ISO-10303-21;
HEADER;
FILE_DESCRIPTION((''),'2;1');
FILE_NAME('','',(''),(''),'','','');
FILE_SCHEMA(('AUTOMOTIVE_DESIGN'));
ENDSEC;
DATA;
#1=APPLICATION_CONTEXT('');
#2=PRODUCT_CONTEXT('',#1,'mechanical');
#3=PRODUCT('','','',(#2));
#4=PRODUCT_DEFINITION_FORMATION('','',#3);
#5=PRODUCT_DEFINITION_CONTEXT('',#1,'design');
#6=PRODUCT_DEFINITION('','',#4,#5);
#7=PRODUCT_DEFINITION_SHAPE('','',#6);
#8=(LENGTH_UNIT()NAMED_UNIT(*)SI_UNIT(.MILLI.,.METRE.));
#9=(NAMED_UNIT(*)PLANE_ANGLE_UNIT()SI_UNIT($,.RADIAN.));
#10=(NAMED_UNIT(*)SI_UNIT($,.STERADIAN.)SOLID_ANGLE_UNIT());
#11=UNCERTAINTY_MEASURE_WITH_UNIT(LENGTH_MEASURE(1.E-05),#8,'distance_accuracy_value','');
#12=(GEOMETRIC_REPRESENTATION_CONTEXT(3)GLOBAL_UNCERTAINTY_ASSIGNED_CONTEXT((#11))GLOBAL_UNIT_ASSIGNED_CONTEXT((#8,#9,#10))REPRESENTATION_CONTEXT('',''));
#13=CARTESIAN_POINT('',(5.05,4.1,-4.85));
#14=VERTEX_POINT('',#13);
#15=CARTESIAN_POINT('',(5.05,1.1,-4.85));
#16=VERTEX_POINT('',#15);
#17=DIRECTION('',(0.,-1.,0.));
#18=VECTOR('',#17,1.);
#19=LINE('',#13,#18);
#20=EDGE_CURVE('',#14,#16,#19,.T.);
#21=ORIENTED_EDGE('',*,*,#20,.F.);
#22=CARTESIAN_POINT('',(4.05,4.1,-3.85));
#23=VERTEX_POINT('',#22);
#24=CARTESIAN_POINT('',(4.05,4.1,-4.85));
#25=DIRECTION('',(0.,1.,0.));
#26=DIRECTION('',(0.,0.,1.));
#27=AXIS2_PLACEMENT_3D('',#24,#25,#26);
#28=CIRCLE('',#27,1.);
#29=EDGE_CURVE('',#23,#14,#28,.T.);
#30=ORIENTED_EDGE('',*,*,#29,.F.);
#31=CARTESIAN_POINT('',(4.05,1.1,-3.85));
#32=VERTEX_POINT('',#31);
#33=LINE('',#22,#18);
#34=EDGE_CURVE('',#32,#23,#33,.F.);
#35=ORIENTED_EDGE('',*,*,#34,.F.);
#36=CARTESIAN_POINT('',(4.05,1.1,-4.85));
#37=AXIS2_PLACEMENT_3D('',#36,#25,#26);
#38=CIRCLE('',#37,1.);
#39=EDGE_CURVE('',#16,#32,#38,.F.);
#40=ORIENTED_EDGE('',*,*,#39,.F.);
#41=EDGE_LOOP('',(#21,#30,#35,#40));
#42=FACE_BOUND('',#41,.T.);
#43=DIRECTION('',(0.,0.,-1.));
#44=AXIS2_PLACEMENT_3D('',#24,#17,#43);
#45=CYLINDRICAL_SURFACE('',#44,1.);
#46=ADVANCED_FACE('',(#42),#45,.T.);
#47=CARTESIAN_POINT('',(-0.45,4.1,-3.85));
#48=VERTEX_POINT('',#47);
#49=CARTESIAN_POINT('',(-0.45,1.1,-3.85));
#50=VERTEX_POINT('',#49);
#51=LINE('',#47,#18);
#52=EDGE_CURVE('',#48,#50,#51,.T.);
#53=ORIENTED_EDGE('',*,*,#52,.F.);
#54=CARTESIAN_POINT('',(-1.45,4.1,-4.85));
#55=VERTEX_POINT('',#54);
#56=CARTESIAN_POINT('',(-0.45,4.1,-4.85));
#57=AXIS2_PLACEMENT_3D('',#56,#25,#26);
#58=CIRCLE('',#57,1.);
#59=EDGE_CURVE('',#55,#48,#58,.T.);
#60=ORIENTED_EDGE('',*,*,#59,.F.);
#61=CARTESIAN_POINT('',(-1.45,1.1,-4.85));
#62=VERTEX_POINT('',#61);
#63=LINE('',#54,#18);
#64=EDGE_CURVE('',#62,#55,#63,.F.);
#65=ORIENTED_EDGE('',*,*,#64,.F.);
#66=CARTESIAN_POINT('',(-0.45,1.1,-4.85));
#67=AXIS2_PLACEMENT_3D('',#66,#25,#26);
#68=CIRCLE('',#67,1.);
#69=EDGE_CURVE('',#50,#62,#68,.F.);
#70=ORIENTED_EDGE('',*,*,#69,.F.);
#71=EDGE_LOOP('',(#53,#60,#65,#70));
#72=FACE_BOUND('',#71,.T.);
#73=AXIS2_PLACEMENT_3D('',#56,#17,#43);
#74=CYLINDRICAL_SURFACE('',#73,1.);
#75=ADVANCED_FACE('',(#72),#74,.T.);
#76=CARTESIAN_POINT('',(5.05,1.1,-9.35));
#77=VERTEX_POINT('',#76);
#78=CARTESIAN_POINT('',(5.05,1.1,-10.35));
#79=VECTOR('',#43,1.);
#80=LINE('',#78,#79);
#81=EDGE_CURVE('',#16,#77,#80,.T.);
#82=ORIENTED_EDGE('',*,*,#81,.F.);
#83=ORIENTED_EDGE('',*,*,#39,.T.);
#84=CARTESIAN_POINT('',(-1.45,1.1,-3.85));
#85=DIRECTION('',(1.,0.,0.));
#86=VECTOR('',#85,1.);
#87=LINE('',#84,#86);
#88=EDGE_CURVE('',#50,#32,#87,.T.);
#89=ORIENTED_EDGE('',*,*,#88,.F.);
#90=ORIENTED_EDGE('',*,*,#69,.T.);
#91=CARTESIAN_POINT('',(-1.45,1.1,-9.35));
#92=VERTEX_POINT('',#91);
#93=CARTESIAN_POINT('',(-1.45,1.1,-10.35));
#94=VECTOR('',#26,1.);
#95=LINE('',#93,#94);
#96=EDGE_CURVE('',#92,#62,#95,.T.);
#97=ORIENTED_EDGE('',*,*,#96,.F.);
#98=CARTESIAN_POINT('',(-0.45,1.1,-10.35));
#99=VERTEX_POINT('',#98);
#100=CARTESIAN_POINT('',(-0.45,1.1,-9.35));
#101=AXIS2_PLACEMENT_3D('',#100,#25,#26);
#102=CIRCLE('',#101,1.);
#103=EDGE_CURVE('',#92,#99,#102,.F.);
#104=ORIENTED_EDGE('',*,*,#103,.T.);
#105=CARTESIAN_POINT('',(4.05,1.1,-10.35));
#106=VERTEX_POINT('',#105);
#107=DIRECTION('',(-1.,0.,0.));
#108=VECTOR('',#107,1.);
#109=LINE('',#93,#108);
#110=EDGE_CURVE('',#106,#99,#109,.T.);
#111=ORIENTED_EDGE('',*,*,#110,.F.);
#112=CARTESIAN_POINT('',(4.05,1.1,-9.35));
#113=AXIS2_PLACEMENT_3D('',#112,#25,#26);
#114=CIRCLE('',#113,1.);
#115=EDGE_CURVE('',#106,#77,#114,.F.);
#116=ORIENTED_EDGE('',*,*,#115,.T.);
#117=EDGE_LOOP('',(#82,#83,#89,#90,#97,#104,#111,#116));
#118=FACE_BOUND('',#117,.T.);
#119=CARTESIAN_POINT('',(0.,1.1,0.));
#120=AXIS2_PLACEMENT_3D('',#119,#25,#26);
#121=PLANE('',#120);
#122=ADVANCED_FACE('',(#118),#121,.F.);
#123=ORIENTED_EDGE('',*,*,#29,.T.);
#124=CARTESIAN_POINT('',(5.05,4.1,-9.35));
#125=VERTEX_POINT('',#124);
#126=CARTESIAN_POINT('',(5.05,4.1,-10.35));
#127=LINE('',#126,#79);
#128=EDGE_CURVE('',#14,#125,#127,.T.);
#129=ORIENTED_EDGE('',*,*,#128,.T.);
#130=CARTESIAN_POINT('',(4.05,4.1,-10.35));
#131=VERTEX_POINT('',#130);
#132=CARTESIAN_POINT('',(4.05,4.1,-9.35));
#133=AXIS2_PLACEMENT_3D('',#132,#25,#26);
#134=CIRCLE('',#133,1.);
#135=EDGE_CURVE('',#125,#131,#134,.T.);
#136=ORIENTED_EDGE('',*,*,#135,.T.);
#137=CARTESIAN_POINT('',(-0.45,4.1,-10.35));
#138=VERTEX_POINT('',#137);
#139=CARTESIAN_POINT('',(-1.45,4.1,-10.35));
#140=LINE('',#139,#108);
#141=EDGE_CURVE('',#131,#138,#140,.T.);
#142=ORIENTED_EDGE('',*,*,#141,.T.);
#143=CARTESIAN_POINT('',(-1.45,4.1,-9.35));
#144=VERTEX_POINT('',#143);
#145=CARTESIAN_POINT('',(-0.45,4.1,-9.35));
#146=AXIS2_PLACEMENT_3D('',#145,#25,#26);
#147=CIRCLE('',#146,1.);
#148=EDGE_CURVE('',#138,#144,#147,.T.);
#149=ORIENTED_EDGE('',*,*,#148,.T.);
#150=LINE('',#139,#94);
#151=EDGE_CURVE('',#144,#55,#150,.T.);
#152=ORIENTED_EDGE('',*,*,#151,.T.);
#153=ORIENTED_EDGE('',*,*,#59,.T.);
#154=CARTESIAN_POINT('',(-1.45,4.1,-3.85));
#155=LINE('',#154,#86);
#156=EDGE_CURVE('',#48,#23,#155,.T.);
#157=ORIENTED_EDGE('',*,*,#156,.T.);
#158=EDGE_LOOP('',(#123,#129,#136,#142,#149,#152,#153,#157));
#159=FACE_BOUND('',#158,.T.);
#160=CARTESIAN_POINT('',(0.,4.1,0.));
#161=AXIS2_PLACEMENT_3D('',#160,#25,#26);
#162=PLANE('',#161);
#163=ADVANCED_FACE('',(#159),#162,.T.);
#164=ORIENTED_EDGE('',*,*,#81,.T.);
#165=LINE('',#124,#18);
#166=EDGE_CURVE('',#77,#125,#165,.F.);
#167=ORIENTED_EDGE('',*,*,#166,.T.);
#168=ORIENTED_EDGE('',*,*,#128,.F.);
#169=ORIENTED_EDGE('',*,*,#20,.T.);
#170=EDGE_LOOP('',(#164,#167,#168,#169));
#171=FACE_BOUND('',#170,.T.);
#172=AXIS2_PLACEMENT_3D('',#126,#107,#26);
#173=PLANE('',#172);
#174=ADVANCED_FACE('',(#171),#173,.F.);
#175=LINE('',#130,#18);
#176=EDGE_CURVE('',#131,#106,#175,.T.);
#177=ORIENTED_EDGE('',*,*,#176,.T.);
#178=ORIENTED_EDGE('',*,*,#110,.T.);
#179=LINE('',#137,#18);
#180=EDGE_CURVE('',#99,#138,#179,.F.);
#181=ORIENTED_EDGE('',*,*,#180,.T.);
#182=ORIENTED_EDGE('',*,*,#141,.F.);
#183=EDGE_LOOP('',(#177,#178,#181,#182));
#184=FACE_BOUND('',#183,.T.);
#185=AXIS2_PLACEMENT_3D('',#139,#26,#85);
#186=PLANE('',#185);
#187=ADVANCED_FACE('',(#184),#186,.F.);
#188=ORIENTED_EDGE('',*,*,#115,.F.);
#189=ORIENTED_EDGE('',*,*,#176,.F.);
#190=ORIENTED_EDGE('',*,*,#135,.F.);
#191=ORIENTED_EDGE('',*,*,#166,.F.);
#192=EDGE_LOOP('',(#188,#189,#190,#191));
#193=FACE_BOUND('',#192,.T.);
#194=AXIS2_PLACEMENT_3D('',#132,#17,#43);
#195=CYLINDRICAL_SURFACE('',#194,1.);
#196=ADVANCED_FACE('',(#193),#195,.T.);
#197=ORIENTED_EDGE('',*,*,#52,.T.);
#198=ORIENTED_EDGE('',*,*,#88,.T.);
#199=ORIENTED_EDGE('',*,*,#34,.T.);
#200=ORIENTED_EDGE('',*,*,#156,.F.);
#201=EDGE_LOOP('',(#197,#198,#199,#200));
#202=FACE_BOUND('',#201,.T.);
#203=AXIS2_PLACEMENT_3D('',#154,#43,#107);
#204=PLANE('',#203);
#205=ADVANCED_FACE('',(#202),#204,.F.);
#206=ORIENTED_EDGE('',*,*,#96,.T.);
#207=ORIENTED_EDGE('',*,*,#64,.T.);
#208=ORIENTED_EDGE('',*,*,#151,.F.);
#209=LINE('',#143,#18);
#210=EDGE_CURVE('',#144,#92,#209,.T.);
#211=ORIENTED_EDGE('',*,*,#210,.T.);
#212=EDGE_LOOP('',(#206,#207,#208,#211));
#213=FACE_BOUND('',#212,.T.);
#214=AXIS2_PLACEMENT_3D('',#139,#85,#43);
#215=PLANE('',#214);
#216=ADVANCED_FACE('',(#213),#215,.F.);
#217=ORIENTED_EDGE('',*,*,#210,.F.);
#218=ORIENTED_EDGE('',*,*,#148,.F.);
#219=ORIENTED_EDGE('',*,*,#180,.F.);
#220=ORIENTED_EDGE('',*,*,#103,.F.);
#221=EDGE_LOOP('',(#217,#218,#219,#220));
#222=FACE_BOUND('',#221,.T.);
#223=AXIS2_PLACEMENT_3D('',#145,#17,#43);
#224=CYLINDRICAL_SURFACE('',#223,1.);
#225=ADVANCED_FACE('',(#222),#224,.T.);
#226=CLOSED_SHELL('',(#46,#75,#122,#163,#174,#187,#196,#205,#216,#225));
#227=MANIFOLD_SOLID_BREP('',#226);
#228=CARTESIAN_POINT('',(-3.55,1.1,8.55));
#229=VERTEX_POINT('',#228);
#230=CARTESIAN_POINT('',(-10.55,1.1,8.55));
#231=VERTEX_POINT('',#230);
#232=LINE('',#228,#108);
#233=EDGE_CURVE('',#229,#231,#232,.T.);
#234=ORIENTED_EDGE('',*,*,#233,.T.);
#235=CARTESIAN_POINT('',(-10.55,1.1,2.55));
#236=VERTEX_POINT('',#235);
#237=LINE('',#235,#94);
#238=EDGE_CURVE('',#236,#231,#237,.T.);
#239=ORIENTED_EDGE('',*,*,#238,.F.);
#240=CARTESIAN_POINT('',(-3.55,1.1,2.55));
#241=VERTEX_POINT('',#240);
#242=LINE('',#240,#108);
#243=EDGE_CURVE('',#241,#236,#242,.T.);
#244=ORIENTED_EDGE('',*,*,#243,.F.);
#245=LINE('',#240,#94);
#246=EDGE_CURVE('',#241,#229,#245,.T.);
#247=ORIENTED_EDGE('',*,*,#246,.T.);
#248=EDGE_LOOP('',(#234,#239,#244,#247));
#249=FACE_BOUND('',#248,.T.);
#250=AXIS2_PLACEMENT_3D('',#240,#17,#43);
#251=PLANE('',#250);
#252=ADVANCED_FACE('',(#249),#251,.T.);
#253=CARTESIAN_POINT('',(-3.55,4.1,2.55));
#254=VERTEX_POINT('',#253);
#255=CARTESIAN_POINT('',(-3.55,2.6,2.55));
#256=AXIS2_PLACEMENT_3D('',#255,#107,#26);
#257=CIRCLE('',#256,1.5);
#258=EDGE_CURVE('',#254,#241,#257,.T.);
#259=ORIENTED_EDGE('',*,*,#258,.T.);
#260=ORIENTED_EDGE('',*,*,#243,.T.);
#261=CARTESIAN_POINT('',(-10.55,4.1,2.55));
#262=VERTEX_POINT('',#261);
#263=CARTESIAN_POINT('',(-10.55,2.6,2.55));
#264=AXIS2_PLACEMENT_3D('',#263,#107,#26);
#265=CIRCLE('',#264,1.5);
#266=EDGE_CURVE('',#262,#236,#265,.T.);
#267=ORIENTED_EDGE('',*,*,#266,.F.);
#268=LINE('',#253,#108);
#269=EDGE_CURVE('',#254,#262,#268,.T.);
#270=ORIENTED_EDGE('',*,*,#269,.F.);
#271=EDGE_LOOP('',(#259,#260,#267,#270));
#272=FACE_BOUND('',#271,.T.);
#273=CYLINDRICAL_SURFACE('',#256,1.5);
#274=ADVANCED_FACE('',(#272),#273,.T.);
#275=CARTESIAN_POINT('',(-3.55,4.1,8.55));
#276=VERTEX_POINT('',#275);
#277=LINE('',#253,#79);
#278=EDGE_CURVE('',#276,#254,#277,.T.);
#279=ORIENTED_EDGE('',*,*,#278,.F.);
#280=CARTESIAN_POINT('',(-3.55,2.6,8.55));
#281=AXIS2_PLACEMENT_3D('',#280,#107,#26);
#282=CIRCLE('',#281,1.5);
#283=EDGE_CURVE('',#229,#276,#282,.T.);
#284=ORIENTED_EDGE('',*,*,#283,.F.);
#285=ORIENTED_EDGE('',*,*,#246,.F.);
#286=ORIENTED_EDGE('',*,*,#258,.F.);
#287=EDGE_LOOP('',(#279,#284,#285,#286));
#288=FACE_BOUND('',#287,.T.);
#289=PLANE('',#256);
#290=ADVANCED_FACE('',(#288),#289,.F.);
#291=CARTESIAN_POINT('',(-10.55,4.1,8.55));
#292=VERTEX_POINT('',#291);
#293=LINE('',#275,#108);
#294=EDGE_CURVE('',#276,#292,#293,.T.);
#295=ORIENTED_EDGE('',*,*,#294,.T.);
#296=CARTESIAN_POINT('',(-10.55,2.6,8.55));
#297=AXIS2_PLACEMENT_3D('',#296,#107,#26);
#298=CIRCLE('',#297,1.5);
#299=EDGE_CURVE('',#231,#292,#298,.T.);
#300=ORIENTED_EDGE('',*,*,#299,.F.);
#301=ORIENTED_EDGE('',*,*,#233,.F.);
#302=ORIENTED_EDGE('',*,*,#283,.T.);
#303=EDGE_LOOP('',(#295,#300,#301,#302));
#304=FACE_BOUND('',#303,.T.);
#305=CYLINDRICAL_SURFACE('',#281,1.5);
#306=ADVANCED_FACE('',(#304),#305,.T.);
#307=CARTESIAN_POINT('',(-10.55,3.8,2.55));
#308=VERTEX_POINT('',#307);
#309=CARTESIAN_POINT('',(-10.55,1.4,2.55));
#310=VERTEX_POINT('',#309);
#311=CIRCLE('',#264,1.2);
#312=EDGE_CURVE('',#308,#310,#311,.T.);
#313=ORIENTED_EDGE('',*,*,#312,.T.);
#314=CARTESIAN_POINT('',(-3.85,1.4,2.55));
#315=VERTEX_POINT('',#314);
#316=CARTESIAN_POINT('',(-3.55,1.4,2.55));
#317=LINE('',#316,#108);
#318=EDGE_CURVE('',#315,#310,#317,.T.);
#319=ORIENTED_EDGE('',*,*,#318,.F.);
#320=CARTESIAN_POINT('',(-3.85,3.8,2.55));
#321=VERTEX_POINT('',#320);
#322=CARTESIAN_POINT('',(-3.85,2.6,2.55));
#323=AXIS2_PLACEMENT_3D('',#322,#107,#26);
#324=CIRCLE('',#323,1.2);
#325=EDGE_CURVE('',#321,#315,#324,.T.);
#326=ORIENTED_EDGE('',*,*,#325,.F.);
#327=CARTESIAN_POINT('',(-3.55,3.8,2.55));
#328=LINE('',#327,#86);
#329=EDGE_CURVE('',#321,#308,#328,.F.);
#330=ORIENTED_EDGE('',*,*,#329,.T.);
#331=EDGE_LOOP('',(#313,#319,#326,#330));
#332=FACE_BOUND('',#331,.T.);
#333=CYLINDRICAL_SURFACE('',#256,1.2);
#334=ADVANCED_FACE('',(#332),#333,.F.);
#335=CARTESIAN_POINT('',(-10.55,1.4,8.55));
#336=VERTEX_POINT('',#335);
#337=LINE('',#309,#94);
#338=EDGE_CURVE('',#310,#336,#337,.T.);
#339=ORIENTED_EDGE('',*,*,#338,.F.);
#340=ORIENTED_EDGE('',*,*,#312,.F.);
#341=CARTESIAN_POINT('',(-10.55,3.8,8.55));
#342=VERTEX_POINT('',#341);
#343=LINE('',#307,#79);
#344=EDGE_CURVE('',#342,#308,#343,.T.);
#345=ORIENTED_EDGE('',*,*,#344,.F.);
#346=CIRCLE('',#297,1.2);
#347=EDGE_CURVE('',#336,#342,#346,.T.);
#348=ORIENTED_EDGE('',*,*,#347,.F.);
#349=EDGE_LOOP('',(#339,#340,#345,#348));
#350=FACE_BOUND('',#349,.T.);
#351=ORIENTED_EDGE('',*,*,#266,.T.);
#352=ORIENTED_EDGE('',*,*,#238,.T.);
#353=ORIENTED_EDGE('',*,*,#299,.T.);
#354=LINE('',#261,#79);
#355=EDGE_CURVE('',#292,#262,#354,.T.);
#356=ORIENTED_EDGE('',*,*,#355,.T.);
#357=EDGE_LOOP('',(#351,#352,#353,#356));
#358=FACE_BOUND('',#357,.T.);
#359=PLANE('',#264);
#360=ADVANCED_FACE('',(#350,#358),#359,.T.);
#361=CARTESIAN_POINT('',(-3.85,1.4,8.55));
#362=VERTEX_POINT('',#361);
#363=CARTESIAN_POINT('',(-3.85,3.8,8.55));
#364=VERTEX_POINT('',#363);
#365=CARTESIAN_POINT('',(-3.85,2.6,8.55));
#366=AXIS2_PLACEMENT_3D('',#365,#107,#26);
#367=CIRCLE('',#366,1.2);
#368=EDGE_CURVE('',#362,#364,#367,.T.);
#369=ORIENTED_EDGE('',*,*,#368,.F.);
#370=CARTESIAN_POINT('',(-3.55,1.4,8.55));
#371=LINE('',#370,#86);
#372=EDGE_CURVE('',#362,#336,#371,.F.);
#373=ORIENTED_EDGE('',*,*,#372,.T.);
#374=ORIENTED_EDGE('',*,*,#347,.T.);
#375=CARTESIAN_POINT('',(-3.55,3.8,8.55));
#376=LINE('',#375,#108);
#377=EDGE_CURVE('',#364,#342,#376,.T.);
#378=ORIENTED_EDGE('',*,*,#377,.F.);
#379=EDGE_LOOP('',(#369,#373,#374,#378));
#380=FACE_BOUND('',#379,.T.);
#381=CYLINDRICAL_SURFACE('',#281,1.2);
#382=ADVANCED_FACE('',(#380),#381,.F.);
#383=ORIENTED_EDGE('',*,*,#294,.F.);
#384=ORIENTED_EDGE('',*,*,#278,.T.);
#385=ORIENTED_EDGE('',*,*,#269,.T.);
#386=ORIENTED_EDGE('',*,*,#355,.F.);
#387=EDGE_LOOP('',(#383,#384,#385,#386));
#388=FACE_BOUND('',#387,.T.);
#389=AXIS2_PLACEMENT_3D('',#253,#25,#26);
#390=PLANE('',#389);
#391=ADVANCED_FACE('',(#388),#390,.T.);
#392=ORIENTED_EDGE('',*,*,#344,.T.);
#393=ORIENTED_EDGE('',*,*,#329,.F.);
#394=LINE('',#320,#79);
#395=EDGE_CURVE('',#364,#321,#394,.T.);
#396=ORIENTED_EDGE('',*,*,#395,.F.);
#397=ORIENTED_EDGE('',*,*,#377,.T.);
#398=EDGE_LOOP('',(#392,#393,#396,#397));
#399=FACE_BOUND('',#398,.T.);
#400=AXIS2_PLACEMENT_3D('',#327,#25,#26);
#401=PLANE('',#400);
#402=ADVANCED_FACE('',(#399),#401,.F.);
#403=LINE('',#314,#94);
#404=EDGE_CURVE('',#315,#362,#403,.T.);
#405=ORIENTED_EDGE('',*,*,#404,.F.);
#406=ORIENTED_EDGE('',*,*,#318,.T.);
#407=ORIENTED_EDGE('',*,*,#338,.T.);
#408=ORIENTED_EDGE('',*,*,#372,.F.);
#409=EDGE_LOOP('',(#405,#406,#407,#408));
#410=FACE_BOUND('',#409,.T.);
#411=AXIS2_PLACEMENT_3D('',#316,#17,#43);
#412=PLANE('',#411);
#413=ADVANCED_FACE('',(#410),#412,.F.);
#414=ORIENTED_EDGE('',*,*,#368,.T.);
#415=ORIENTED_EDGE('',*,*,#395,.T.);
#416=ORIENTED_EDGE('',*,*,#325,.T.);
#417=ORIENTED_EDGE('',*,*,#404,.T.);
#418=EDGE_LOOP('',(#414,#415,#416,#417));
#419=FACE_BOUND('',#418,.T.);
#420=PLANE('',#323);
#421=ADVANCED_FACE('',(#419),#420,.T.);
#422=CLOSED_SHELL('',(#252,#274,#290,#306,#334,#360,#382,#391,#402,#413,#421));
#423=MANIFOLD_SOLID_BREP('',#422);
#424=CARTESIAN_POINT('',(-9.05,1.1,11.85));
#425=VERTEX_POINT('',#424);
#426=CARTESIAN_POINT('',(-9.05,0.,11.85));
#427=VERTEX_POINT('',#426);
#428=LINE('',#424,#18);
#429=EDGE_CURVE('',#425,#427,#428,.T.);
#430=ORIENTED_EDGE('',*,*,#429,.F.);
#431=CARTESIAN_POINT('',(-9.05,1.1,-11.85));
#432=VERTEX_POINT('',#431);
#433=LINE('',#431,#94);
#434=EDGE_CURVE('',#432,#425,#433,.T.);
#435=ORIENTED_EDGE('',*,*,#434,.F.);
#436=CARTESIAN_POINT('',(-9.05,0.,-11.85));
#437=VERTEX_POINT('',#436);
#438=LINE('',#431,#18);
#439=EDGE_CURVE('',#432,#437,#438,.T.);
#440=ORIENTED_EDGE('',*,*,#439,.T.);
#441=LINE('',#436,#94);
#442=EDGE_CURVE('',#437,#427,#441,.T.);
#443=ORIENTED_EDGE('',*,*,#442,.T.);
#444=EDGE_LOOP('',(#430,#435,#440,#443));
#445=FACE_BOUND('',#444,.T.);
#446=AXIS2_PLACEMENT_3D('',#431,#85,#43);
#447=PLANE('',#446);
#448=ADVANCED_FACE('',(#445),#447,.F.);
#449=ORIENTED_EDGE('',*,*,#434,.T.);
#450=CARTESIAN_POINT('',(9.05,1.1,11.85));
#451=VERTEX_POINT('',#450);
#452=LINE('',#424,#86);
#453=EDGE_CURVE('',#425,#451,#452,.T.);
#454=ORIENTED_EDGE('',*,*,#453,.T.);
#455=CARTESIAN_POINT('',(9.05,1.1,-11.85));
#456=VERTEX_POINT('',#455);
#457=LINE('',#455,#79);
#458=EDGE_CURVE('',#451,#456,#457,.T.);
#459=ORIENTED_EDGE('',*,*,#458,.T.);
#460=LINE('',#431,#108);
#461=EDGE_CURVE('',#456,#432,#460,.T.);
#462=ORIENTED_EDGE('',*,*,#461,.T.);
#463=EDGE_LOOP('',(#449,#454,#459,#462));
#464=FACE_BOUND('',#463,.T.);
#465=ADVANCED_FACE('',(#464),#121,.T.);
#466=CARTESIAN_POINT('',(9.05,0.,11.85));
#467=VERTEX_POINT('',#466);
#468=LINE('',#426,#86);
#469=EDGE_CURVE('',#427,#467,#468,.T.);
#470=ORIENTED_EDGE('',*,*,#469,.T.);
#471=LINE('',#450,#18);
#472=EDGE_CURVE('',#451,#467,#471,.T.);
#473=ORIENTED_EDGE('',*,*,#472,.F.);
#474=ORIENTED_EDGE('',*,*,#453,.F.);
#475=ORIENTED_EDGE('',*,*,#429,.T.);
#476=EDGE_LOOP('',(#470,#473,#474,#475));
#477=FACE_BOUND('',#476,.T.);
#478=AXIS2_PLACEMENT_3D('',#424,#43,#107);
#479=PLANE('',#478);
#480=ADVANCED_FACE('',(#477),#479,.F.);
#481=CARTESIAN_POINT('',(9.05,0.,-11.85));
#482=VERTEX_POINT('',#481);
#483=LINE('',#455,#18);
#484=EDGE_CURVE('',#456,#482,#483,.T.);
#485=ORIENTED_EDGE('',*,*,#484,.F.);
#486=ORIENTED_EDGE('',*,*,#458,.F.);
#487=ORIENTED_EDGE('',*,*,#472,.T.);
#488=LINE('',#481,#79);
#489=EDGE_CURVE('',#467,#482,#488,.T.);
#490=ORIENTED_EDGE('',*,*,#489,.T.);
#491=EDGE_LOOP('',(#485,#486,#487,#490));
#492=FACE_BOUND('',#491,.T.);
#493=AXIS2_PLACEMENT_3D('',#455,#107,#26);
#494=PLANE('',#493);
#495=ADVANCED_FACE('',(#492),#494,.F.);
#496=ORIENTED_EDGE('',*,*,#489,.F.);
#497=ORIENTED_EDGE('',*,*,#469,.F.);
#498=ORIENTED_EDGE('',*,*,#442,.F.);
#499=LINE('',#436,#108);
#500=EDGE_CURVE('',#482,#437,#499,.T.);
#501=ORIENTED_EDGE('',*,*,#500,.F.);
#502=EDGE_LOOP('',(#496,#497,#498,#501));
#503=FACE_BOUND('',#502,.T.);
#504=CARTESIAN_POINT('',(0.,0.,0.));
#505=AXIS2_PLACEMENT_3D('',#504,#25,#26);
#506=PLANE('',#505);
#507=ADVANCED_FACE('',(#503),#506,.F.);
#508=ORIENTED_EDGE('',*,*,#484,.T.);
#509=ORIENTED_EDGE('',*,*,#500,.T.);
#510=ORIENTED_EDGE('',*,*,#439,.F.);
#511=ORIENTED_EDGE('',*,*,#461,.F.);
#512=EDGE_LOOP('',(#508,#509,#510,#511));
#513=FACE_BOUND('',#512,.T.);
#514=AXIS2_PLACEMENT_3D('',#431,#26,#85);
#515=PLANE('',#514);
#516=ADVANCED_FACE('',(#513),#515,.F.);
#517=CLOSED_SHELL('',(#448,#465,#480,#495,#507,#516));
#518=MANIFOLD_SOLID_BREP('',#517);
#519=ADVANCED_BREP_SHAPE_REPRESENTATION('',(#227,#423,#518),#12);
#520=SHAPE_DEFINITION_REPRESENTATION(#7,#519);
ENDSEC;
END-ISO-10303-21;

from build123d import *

# Parameters (mm, degrees)
SKETCH1_W                = 18.1
SKETCH1_H                = 23.7
BOSS_EXTRUDE1_DEPTH      = 1.1
BOSS_EXTRUDE2_DEPTH      = 1.5
BOSS_EXTRUDE2_DEPTH_BACK = 5.5
SHELL1_T                 = -0.3
SKETCH4_W                = 6.5
SKETCH4_H                = 6.5
BOSS_EXTRUDE3_DEPTH      = 3
FILLET1_R                = 1


with BuildPart() as part:
    # Sketch1 → Boss-Extrude1 (new body)
    with BuildSketch(Plane(origin=(0, 0, 0), x_dir=(1, 0, 0), z_dir=(0, 1, 0))):
        Rectangle(SKETCH1_W, SKETCH1_H)
    extrude(amount=BOSS_EXTRUDE1_DEPTH)


with BuildPart() as body_2:
    # Sketch3 → Boss-Extrude2 (new, two sides: drawn at the far end of the back side and taken through both)
    with BuildSketch(Plane.ZY.offset(9.05).offset(-BOSS_EXTRUDE2_DEPTH_BACK)):
        with BuildLine():
            Line((2.55, 4.1), (8.55, 4.1))
            ThreePointArc((8.55, 4.1), (10.05, 2.6), (8.55, 1.1))
            Line((8.55, 1.1), (2.55, 1.1))
            ThreePointArc((2.55, 1.1), (1.05, 2.6), (2.55, 4.1))
        make_face()
    extrude(amount=BOSS_EXTRUDE2_DEPTH + BOSS_EXTRUDE2_DEPTH_BACK)

    # Shell1
    shell1_openings = [body_2.faces().sort_by_distance(p)[0] for p in [
        (-10.55, 2.6, 5.55),
    ]]
    offset(amount=SHELL1_T, openings=shell1_openings, kind=Kind.INTERSECTION)


with BuildPart() as body_3:
    # Sketch4 → Boss-Extrude3 (new body)
    with BuildSketch(Plane(origin=(0, 1.1, 0), x_dir=(1, 0, 0), z_dir=(0, 1, 0))):
        with Locations((1.8, 7.1)):
            Rectangle(SKETCH4_W, SKETCH4_H)
    extrude(amount=BOSS_EXTRUDE3_DEPTH)

    # Fillet1
    fillet1_edges = [body_3.edges().sort_by_distance(p)[0] for p in [
        (-1.45, 2.6, -10.35),
        (5.05, 2.6, -10.35),
        (5.05, 2.6, -3.85),
        (-1.45, 2.6, -3.85),
    ]]
    fillet(fillet1_edges, radius=FILLET1_R)


solid = Compound([part.part, body_2.part, body_3.part])
